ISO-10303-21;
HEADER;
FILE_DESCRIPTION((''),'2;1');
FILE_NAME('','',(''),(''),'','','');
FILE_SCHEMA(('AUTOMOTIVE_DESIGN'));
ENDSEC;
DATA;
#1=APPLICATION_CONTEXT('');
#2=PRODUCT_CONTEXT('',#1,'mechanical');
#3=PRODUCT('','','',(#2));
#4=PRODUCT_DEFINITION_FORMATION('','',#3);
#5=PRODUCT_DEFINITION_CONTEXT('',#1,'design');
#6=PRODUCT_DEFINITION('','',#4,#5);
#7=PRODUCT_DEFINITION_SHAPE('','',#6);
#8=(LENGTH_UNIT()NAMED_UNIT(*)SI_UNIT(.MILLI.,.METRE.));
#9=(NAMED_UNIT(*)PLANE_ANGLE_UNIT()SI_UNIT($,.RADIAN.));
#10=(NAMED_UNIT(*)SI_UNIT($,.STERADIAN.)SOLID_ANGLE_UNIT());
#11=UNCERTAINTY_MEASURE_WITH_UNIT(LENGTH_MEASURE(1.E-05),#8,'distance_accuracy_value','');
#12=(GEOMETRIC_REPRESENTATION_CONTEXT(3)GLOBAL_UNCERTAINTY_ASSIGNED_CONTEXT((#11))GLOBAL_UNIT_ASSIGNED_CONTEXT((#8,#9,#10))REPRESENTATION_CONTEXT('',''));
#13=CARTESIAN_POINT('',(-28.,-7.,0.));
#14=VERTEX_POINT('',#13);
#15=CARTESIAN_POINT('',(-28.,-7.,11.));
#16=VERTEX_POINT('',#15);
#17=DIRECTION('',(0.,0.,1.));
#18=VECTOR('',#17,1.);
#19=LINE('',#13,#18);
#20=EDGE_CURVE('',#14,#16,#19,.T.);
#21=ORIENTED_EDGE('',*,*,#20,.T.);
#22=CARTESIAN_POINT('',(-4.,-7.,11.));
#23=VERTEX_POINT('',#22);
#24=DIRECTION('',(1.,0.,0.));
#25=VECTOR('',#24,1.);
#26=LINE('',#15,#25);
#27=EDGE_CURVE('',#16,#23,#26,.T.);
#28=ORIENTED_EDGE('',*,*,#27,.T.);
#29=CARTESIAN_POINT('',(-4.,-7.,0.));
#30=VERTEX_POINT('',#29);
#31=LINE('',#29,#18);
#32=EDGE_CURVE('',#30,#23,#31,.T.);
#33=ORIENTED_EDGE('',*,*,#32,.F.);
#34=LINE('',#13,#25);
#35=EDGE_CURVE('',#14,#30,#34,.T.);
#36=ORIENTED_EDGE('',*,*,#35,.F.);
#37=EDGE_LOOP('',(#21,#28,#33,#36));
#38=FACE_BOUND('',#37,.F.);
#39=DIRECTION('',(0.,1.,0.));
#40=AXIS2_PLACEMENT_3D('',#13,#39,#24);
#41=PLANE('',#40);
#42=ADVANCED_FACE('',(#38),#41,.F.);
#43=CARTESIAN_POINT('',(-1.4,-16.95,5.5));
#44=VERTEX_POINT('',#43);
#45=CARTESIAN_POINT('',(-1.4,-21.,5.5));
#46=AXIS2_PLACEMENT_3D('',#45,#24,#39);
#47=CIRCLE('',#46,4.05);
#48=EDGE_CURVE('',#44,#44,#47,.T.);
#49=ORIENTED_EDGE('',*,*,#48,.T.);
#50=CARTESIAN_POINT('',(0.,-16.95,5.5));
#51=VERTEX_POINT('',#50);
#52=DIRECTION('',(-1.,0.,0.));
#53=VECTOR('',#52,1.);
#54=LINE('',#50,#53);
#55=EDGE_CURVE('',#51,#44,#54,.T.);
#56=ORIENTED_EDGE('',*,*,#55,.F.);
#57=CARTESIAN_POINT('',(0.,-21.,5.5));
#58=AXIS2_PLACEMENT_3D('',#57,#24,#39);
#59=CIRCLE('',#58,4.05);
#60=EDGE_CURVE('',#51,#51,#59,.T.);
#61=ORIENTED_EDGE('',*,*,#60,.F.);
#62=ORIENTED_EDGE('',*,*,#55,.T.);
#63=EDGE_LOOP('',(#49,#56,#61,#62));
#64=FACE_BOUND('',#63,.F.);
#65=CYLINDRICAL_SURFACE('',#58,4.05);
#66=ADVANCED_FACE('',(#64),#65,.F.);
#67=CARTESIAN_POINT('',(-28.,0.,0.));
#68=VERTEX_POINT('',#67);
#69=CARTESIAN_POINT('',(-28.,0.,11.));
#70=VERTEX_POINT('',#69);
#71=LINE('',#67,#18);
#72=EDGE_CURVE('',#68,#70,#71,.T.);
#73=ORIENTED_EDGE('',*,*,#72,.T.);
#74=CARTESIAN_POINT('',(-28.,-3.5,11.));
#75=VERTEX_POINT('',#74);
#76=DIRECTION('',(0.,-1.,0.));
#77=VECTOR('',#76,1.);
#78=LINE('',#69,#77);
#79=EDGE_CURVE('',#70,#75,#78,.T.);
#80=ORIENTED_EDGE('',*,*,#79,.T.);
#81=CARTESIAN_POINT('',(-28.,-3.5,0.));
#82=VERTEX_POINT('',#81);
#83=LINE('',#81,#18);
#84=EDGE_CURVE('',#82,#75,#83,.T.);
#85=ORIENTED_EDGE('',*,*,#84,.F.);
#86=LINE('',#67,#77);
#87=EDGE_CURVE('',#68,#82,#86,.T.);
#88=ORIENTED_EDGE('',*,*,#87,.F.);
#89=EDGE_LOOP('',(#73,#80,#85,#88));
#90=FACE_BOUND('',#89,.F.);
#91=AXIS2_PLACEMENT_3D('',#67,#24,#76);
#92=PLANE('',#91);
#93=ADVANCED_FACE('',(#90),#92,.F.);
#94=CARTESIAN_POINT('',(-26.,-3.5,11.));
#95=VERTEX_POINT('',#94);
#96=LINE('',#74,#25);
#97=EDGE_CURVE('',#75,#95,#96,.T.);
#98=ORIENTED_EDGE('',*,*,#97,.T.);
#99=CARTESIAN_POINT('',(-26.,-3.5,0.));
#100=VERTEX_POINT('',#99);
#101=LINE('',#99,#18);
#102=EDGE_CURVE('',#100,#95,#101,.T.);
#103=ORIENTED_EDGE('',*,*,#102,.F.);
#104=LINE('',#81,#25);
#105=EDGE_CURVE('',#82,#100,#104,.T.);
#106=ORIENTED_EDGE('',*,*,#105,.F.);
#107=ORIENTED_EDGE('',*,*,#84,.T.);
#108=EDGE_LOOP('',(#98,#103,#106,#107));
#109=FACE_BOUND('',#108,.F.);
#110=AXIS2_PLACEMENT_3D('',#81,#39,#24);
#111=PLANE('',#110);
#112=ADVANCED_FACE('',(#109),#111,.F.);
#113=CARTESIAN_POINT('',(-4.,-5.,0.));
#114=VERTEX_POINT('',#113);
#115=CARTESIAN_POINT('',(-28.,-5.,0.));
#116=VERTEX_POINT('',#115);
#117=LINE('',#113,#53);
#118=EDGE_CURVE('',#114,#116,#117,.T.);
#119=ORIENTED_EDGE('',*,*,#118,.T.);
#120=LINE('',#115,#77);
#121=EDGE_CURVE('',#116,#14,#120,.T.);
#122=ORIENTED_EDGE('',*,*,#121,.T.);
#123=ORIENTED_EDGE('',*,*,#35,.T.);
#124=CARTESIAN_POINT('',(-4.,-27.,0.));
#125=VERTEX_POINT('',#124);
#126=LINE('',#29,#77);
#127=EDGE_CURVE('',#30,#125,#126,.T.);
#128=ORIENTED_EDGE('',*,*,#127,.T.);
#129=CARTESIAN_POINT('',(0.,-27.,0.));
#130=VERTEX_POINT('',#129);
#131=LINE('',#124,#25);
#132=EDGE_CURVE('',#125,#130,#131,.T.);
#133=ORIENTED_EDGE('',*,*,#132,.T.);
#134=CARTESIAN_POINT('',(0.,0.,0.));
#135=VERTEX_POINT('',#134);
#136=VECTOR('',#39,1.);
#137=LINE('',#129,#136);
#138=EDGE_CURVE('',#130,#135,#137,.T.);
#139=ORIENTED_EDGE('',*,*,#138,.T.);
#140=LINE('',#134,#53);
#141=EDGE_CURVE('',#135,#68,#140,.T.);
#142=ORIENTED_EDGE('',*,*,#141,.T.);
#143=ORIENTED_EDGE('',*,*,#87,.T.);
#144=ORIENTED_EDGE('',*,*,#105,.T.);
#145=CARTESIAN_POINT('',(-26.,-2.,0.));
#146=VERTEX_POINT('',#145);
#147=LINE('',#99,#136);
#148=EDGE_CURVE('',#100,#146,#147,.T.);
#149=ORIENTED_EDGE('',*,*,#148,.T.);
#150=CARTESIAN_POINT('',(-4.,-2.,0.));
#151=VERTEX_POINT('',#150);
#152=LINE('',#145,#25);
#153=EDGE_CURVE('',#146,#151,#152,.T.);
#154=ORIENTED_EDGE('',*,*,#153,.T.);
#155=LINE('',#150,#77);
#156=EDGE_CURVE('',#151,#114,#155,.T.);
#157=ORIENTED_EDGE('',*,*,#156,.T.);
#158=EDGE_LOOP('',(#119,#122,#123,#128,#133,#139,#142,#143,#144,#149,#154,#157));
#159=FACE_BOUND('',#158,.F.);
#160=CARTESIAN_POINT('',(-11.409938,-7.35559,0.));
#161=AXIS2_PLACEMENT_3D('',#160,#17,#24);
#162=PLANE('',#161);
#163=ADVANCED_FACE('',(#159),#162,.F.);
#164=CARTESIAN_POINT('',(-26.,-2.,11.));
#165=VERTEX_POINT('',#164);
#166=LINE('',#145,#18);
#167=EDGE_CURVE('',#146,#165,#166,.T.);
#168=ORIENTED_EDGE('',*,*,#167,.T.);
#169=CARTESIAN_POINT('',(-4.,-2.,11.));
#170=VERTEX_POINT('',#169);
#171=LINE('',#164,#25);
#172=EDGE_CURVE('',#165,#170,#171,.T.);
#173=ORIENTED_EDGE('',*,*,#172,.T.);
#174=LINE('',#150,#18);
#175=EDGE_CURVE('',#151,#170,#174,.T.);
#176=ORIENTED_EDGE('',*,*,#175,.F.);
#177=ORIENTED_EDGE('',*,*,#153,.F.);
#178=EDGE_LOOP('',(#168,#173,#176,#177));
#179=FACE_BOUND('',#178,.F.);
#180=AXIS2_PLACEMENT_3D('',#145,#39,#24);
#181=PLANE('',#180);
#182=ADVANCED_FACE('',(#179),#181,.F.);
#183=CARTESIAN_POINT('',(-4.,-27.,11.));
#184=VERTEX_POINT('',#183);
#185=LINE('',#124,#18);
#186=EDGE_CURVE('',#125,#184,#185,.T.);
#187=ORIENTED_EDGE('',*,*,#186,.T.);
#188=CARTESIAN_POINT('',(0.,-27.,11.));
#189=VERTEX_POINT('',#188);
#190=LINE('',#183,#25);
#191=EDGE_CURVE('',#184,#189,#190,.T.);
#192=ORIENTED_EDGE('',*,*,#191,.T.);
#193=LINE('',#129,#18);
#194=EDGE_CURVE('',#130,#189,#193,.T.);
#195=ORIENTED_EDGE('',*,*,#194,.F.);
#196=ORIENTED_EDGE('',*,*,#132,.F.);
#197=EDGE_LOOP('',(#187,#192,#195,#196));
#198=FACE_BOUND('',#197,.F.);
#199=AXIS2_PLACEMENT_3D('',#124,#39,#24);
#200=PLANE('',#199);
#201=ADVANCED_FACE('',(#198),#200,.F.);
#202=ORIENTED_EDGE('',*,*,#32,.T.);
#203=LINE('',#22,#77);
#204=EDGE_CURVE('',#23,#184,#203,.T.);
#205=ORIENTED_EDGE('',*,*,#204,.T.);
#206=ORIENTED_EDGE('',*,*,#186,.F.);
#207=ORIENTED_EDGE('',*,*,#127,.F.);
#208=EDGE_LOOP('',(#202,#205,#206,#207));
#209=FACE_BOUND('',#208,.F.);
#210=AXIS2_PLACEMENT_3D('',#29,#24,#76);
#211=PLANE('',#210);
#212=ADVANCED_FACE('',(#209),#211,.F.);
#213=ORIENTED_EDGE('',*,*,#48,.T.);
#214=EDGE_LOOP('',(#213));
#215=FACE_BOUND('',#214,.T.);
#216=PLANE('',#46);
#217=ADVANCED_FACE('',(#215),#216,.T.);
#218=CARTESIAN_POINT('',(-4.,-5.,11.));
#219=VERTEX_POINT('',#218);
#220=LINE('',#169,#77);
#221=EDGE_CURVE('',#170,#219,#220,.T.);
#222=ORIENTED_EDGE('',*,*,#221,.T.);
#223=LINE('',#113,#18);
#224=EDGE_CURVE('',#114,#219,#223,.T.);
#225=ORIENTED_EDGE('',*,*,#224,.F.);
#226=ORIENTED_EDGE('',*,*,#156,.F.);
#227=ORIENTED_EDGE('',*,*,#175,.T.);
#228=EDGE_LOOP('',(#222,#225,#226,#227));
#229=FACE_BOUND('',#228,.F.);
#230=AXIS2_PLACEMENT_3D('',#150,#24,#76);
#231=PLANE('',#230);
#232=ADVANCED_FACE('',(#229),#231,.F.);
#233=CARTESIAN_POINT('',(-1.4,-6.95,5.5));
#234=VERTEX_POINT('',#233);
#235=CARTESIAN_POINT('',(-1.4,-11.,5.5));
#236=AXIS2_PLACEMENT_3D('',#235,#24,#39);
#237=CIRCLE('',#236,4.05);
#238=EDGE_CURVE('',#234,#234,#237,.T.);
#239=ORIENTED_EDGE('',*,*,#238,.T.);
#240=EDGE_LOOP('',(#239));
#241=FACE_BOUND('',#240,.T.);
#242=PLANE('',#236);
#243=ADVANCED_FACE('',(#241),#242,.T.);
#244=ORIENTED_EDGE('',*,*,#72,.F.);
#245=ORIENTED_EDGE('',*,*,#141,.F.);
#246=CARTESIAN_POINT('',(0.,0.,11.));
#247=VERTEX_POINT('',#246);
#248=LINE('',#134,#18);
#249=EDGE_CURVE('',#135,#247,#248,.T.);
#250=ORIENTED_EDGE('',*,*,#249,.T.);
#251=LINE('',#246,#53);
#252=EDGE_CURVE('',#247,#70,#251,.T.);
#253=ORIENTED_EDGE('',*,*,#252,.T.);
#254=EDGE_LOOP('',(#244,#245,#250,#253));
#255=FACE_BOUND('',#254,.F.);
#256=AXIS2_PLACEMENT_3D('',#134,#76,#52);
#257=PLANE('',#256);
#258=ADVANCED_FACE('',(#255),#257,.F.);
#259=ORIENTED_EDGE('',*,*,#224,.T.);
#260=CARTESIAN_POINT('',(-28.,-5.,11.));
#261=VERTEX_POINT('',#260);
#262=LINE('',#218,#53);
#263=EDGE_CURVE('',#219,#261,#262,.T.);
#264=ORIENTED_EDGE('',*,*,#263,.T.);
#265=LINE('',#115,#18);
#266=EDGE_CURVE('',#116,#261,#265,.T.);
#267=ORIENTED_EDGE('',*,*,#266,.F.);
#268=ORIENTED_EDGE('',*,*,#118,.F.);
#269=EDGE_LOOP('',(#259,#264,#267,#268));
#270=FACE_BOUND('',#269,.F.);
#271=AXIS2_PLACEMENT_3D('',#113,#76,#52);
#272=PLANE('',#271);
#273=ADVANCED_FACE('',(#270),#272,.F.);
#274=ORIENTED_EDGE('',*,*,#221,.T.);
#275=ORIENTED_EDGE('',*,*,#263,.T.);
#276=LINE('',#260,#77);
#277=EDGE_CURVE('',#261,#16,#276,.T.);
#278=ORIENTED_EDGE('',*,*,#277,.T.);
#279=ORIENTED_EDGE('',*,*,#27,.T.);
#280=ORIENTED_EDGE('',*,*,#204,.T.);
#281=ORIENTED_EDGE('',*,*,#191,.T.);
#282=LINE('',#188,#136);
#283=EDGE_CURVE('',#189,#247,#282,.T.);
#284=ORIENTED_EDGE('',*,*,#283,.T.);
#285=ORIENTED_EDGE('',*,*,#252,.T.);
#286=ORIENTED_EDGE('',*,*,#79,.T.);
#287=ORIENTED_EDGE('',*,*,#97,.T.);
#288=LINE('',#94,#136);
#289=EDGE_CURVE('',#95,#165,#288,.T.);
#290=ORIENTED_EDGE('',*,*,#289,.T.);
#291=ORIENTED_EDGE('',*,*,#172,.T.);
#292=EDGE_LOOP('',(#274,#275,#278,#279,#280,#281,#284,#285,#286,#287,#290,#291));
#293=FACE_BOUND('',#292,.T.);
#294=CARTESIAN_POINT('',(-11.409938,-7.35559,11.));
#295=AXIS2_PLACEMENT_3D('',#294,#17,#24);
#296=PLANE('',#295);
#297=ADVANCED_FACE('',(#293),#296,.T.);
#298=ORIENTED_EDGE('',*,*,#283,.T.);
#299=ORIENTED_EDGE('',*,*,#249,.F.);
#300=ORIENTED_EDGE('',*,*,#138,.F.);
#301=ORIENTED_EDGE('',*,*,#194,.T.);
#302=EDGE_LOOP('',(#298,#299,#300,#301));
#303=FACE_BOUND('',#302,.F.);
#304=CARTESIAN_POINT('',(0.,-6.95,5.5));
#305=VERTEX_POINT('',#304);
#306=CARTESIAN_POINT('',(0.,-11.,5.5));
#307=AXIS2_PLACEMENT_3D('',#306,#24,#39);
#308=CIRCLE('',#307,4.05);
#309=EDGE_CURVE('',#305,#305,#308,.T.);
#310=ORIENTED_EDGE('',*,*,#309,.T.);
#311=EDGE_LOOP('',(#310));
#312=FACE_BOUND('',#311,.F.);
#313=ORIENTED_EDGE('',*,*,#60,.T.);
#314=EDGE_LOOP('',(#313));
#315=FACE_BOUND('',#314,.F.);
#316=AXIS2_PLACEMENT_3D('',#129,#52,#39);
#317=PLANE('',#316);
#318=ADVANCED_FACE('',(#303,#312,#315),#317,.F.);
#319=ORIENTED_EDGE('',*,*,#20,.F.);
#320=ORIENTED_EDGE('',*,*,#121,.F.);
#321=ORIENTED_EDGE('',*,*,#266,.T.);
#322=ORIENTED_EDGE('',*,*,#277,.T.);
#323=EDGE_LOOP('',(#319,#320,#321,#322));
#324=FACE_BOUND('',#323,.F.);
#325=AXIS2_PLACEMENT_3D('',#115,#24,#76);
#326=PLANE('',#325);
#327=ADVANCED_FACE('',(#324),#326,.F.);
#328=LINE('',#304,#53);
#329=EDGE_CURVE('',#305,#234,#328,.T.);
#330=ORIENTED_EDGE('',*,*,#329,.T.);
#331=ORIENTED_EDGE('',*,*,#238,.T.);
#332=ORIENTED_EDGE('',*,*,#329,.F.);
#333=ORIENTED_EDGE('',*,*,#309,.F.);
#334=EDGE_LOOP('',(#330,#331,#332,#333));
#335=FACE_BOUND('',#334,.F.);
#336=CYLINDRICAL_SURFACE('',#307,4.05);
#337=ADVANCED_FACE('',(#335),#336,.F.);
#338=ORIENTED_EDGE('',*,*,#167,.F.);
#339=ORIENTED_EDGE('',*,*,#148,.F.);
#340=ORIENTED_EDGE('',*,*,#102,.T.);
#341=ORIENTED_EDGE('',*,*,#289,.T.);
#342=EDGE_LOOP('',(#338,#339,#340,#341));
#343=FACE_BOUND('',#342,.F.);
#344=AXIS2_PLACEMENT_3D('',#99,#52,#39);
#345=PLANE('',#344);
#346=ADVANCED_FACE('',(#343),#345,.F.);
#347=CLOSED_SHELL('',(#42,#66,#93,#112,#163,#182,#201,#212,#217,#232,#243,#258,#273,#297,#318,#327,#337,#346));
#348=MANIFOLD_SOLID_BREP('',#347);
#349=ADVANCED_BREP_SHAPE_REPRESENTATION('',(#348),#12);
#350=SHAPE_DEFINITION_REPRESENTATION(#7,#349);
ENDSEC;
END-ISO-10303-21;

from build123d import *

# Parameters (mm, degrees)
F1_DEPTH = 11
F2_R     = 4.05
F3_DEPTH = 1.4


with BuildPart() as f1:
    # F0 (on Top) → F1 (new body)
    with BuildSketch(Plane.XY):
        Polygon((0, -27), (0, 0), (-28, 0), (-28, -3.5), (-26, -3.5), (-26, -2), (-4, -2), (-4, -5), (-28, -5), (-28, -7), (-4, -7), (-4, -27), align=None)
    extrude(amount=F1_DEPTH)

    # F2 (on face) → F3 (cut)
    with BuildSketch(Plane.YZ):
        with Locations((-21, 5.5)):
            Circle(F2_R)
        with Locations((-11, 5.5)):
            Circle(F2_R)
    extrude(amount=-F3_DEPTH, mode=Mode.SUBTRACT)


solid = f1.part
